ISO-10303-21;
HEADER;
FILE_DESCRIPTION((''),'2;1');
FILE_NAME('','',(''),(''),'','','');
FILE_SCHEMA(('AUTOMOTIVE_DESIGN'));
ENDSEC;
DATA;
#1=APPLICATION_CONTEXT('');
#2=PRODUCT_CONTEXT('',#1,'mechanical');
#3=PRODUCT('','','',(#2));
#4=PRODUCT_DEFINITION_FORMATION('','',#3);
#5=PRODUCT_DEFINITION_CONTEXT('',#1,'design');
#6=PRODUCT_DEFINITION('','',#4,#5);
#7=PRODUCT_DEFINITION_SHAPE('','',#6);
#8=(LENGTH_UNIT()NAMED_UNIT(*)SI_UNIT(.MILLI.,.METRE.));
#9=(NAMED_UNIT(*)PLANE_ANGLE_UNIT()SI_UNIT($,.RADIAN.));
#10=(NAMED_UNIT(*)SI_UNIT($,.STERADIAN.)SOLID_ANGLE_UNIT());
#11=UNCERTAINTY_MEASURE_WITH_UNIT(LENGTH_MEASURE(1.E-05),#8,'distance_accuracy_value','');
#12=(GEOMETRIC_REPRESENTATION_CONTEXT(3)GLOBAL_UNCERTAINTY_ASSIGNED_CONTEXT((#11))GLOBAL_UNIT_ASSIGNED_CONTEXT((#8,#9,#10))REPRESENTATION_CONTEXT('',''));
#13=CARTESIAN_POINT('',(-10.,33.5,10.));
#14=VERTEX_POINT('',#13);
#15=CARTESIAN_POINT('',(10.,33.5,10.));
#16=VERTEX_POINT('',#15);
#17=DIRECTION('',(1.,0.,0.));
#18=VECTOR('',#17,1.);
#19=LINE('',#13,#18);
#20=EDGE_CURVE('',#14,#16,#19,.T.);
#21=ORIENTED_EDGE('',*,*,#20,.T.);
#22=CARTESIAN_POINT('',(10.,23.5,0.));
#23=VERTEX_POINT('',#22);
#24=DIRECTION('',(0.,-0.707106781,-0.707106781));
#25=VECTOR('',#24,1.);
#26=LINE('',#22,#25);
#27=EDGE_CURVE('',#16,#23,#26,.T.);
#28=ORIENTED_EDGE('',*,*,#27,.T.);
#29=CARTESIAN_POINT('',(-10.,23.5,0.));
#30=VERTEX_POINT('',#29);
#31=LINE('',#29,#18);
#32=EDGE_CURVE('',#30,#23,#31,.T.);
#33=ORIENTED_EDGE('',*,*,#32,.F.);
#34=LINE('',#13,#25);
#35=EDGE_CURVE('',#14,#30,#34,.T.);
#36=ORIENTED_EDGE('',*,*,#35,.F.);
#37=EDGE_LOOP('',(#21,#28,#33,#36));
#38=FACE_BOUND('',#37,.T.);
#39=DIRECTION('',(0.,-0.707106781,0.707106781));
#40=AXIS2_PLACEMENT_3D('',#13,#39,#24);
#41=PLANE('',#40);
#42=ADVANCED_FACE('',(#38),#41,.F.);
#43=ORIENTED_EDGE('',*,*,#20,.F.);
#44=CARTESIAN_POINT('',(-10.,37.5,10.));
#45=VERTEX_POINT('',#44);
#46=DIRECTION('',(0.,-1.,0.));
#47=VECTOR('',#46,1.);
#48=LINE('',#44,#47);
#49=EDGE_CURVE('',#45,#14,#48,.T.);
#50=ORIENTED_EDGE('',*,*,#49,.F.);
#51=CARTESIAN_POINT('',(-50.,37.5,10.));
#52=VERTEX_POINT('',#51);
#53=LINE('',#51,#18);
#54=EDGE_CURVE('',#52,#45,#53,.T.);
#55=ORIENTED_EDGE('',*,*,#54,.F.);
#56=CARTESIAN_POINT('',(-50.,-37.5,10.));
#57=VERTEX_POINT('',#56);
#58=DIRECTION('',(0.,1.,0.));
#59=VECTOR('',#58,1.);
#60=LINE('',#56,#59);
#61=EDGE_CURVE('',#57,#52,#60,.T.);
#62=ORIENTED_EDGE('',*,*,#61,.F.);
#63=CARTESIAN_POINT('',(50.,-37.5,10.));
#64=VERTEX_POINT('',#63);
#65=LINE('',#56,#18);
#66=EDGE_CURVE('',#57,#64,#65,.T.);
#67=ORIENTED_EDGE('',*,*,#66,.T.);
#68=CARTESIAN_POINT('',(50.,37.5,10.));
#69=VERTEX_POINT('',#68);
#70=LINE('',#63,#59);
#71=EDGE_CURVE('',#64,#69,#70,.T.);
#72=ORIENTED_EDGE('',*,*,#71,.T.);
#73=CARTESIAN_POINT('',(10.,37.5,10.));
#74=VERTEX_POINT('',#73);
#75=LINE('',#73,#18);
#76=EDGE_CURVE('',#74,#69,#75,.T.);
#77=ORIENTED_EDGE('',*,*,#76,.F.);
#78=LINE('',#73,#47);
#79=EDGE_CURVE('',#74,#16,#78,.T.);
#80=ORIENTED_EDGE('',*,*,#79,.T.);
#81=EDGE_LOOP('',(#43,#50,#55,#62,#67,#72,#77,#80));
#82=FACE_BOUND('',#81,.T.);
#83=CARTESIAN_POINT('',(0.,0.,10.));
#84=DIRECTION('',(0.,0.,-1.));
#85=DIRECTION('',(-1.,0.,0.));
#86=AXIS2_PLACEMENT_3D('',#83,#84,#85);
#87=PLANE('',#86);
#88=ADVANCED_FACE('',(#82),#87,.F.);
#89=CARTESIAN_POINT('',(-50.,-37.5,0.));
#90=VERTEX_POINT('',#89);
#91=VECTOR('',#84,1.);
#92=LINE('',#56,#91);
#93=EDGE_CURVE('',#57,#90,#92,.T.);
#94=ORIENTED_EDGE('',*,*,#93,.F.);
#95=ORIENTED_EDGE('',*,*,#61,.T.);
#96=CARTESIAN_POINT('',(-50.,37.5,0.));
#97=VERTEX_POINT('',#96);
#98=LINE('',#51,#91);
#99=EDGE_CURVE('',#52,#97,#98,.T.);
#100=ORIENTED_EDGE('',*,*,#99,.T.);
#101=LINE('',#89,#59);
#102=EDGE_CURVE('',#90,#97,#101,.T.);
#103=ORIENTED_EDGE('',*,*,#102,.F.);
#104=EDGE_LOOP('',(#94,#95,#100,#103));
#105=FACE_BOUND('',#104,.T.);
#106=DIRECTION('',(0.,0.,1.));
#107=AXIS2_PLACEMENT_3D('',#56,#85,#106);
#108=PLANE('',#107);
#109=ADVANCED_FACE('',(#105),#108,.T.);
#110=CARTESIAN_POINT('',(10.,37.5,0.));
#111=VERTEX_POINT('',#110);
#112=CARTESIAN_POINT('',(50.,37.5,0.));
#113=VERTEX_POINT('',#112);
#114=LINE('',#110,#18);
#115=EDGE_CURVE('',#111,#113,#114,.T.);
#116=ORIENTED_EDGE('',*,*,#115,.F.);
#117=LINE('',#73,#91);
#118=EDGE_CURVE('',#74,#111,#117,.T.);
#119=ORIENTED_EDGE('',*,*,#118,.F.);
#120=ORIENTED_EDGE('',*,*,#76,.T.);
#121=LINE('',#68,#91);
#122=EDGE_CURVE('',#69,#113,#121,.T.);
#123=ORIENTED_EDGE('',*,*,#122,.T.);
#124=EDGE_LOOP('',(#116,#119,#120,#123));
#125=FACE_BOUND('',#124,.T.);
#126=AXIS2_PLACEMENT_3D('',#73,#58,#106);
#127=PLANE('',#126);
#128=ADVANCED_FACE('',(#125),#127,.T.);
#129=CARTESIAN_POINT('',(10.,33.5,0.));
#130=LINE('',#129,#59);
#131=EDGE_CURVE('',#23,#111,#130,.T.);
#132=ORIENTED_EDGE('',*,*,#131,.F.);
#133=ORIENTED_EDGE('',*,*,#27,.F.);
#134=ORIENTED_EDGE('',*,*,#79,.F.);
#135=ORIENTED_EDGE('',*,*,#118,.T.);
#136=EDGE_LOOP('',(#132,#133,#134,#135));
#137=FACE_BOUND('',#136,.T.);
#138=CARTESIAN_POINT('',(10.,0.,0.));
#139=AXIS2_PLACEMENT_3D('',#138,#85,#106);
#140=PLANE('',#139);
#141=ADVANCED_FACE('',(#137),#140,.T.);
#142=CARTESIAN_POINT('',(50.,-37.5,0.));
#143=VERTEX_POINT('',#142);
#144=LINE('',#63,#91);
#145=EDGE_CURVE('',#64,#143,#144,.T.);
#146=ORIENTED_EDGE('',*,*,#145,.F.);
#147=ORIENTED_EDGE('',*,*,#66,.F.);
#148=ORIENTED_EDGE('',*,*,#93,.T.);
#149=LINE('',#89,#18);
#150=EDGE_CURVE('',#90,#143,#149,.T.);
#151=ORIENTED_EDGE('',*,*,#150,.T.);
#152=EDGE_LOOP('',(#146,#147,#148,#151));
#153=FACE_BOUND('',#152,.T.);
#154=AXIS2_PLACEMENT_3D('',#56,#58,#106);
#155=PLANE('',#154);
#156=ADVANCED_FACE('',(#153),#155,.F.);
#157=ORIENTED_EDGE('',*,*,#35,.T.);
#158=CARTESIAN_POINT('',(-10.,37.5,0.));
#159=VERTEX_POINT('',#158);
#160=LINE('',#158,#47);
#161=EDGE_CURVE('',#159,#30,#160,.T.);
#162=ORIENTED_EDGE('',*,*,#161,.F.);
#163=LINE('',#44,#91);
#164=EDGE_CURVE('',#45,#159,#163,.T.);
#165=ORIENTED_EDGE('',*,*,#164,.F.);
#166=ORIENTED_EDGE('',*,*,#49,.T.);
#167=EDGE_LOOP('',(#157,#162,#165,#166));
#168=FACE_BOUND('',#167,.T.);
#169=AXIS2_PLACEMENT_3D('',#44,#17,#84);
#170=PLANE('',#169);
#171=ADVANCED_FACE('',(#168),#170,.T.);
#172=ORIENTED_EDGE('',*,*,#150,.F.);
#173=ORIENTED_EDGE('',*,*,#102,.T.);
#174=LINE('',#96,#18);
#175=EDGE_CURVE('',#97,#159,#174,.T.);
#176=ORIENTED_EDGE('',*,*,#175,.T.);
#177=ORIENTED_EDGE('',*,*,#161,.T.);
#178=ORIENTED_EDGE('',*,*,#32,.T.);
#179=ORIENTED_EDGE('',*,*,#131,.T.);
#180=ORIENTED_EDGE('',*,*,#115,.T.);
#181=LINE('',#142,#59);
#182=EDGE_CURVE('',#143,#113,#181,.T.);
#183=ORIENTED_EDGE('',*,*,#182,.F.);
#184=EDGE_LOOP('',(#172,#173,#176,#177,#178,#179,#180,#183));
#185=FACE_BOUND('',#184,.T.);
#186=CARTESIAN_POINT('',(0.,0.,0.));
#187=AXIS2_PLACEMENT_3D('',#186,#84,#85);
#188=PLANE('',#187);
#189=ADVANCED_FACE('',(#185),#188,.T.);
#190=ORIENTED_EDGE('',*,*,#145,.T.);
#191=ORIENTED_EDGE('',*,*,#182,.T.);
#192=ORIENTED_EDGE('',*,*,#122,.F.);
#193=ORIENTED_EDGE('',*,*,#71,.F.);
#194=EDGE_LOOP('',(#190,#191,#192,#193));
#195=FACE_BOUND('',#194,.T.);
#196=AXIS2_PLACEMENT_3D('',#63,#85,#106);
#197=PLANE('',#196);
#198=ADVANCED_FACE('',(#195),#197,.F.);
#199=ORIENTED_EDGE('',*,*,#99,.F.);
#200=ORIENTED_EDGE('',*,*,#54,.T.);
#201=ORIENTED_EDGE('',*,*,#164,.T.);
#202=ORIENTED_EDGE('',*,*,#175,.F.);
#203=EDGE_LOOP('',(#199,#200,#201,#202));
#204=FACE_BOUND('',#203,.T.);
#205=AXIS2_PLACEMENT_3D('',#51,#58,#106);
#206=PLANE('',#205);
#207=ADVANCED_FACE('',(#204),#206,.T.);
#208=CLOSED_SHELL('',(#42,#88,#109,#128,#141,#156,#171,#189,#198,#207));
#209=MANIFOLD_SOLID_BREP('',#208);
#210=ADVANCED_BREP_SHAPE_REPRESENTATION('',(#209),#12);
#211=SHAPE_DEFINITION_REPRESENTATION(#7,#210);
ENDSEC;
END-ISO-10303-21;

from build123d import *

# Parameters (mm, degrees)
BOSS_EXTRU_1_DEPTH      = 10
ENL_V_MAT_EXTRU_4_DEPTH = 60
BOSS_EXTRU_2_DEPTH      = 40


with BuildPart() as part:
    # Esquisse1 → Boss.-Extru.1 (new body)
    with BuildSketch(Plane.XY):
        Polygon((-50, -37.5), (50, -37.5), (50, 37.5), (10, 37.5), (10, 33.5), (-10, 33.5), (-10, 37.5), (-50, 37.5), align=None)
    extrude(amount=BOSS_EXTRU_1_DEPTH)

    # Esquisse4 → Enlèv. mat.-Extru.4 (cut)
    with BuildSketch(Plane(origin=(50, 0, 0), x_dir=(0, 0, -1), z_dir=(1, 0, 0))):
        Polygon((-10, 33.5), (0, 23.5), (0, 33.5), align=None)
    extrude(amount=-ENL_V_MAT_EXTRU_4_DEPTH, mode=Mode.SUBTRACT)


with BuildPart() as enl_v_mat_extru_4_piece_1:
    # of the separate pieces the step leaves, piece 1, a body of its own (enl_v_mat_extru_4_pieces)
    add(part.part.solids().sort_by_distance((-50, -37.5, 0))[0])



with BuildPart() as enl_v_mat_extru_4_piece_2:
    # of the separate pieces the step leaves, piece 2, a body of its own (enl_v_mat_extru_4_pieces)
    add(part.part.solids().sort_by_distance((10, 37.5, 10))[0])


with BuildPart() as enl_v_mat_extru_4_piece_1_1:
    add(enl_v_mat_extru_4_piece_1.part)

    add(enl_v_mat_extru_4_piece_2.part)  # Boss.-Extru.2 merges Enlèv. mat.-Extru.4 piece 2
    # Esquisse11 → Boss.-Extru.2 (add)
    with BuildSketch(Plane(origin=(50, 0, 0), x_dir=(0, 0, -1), z_dir=(1, 0, 0))):
        Polygon((-10, 33.5), (0, 33.5), (0, 23.5), align=None)
    extrude(amount=-BOSS_EXTRU_2_DEPTH)


solid = enl_v_mat_extru_4_piece_1_1.part
